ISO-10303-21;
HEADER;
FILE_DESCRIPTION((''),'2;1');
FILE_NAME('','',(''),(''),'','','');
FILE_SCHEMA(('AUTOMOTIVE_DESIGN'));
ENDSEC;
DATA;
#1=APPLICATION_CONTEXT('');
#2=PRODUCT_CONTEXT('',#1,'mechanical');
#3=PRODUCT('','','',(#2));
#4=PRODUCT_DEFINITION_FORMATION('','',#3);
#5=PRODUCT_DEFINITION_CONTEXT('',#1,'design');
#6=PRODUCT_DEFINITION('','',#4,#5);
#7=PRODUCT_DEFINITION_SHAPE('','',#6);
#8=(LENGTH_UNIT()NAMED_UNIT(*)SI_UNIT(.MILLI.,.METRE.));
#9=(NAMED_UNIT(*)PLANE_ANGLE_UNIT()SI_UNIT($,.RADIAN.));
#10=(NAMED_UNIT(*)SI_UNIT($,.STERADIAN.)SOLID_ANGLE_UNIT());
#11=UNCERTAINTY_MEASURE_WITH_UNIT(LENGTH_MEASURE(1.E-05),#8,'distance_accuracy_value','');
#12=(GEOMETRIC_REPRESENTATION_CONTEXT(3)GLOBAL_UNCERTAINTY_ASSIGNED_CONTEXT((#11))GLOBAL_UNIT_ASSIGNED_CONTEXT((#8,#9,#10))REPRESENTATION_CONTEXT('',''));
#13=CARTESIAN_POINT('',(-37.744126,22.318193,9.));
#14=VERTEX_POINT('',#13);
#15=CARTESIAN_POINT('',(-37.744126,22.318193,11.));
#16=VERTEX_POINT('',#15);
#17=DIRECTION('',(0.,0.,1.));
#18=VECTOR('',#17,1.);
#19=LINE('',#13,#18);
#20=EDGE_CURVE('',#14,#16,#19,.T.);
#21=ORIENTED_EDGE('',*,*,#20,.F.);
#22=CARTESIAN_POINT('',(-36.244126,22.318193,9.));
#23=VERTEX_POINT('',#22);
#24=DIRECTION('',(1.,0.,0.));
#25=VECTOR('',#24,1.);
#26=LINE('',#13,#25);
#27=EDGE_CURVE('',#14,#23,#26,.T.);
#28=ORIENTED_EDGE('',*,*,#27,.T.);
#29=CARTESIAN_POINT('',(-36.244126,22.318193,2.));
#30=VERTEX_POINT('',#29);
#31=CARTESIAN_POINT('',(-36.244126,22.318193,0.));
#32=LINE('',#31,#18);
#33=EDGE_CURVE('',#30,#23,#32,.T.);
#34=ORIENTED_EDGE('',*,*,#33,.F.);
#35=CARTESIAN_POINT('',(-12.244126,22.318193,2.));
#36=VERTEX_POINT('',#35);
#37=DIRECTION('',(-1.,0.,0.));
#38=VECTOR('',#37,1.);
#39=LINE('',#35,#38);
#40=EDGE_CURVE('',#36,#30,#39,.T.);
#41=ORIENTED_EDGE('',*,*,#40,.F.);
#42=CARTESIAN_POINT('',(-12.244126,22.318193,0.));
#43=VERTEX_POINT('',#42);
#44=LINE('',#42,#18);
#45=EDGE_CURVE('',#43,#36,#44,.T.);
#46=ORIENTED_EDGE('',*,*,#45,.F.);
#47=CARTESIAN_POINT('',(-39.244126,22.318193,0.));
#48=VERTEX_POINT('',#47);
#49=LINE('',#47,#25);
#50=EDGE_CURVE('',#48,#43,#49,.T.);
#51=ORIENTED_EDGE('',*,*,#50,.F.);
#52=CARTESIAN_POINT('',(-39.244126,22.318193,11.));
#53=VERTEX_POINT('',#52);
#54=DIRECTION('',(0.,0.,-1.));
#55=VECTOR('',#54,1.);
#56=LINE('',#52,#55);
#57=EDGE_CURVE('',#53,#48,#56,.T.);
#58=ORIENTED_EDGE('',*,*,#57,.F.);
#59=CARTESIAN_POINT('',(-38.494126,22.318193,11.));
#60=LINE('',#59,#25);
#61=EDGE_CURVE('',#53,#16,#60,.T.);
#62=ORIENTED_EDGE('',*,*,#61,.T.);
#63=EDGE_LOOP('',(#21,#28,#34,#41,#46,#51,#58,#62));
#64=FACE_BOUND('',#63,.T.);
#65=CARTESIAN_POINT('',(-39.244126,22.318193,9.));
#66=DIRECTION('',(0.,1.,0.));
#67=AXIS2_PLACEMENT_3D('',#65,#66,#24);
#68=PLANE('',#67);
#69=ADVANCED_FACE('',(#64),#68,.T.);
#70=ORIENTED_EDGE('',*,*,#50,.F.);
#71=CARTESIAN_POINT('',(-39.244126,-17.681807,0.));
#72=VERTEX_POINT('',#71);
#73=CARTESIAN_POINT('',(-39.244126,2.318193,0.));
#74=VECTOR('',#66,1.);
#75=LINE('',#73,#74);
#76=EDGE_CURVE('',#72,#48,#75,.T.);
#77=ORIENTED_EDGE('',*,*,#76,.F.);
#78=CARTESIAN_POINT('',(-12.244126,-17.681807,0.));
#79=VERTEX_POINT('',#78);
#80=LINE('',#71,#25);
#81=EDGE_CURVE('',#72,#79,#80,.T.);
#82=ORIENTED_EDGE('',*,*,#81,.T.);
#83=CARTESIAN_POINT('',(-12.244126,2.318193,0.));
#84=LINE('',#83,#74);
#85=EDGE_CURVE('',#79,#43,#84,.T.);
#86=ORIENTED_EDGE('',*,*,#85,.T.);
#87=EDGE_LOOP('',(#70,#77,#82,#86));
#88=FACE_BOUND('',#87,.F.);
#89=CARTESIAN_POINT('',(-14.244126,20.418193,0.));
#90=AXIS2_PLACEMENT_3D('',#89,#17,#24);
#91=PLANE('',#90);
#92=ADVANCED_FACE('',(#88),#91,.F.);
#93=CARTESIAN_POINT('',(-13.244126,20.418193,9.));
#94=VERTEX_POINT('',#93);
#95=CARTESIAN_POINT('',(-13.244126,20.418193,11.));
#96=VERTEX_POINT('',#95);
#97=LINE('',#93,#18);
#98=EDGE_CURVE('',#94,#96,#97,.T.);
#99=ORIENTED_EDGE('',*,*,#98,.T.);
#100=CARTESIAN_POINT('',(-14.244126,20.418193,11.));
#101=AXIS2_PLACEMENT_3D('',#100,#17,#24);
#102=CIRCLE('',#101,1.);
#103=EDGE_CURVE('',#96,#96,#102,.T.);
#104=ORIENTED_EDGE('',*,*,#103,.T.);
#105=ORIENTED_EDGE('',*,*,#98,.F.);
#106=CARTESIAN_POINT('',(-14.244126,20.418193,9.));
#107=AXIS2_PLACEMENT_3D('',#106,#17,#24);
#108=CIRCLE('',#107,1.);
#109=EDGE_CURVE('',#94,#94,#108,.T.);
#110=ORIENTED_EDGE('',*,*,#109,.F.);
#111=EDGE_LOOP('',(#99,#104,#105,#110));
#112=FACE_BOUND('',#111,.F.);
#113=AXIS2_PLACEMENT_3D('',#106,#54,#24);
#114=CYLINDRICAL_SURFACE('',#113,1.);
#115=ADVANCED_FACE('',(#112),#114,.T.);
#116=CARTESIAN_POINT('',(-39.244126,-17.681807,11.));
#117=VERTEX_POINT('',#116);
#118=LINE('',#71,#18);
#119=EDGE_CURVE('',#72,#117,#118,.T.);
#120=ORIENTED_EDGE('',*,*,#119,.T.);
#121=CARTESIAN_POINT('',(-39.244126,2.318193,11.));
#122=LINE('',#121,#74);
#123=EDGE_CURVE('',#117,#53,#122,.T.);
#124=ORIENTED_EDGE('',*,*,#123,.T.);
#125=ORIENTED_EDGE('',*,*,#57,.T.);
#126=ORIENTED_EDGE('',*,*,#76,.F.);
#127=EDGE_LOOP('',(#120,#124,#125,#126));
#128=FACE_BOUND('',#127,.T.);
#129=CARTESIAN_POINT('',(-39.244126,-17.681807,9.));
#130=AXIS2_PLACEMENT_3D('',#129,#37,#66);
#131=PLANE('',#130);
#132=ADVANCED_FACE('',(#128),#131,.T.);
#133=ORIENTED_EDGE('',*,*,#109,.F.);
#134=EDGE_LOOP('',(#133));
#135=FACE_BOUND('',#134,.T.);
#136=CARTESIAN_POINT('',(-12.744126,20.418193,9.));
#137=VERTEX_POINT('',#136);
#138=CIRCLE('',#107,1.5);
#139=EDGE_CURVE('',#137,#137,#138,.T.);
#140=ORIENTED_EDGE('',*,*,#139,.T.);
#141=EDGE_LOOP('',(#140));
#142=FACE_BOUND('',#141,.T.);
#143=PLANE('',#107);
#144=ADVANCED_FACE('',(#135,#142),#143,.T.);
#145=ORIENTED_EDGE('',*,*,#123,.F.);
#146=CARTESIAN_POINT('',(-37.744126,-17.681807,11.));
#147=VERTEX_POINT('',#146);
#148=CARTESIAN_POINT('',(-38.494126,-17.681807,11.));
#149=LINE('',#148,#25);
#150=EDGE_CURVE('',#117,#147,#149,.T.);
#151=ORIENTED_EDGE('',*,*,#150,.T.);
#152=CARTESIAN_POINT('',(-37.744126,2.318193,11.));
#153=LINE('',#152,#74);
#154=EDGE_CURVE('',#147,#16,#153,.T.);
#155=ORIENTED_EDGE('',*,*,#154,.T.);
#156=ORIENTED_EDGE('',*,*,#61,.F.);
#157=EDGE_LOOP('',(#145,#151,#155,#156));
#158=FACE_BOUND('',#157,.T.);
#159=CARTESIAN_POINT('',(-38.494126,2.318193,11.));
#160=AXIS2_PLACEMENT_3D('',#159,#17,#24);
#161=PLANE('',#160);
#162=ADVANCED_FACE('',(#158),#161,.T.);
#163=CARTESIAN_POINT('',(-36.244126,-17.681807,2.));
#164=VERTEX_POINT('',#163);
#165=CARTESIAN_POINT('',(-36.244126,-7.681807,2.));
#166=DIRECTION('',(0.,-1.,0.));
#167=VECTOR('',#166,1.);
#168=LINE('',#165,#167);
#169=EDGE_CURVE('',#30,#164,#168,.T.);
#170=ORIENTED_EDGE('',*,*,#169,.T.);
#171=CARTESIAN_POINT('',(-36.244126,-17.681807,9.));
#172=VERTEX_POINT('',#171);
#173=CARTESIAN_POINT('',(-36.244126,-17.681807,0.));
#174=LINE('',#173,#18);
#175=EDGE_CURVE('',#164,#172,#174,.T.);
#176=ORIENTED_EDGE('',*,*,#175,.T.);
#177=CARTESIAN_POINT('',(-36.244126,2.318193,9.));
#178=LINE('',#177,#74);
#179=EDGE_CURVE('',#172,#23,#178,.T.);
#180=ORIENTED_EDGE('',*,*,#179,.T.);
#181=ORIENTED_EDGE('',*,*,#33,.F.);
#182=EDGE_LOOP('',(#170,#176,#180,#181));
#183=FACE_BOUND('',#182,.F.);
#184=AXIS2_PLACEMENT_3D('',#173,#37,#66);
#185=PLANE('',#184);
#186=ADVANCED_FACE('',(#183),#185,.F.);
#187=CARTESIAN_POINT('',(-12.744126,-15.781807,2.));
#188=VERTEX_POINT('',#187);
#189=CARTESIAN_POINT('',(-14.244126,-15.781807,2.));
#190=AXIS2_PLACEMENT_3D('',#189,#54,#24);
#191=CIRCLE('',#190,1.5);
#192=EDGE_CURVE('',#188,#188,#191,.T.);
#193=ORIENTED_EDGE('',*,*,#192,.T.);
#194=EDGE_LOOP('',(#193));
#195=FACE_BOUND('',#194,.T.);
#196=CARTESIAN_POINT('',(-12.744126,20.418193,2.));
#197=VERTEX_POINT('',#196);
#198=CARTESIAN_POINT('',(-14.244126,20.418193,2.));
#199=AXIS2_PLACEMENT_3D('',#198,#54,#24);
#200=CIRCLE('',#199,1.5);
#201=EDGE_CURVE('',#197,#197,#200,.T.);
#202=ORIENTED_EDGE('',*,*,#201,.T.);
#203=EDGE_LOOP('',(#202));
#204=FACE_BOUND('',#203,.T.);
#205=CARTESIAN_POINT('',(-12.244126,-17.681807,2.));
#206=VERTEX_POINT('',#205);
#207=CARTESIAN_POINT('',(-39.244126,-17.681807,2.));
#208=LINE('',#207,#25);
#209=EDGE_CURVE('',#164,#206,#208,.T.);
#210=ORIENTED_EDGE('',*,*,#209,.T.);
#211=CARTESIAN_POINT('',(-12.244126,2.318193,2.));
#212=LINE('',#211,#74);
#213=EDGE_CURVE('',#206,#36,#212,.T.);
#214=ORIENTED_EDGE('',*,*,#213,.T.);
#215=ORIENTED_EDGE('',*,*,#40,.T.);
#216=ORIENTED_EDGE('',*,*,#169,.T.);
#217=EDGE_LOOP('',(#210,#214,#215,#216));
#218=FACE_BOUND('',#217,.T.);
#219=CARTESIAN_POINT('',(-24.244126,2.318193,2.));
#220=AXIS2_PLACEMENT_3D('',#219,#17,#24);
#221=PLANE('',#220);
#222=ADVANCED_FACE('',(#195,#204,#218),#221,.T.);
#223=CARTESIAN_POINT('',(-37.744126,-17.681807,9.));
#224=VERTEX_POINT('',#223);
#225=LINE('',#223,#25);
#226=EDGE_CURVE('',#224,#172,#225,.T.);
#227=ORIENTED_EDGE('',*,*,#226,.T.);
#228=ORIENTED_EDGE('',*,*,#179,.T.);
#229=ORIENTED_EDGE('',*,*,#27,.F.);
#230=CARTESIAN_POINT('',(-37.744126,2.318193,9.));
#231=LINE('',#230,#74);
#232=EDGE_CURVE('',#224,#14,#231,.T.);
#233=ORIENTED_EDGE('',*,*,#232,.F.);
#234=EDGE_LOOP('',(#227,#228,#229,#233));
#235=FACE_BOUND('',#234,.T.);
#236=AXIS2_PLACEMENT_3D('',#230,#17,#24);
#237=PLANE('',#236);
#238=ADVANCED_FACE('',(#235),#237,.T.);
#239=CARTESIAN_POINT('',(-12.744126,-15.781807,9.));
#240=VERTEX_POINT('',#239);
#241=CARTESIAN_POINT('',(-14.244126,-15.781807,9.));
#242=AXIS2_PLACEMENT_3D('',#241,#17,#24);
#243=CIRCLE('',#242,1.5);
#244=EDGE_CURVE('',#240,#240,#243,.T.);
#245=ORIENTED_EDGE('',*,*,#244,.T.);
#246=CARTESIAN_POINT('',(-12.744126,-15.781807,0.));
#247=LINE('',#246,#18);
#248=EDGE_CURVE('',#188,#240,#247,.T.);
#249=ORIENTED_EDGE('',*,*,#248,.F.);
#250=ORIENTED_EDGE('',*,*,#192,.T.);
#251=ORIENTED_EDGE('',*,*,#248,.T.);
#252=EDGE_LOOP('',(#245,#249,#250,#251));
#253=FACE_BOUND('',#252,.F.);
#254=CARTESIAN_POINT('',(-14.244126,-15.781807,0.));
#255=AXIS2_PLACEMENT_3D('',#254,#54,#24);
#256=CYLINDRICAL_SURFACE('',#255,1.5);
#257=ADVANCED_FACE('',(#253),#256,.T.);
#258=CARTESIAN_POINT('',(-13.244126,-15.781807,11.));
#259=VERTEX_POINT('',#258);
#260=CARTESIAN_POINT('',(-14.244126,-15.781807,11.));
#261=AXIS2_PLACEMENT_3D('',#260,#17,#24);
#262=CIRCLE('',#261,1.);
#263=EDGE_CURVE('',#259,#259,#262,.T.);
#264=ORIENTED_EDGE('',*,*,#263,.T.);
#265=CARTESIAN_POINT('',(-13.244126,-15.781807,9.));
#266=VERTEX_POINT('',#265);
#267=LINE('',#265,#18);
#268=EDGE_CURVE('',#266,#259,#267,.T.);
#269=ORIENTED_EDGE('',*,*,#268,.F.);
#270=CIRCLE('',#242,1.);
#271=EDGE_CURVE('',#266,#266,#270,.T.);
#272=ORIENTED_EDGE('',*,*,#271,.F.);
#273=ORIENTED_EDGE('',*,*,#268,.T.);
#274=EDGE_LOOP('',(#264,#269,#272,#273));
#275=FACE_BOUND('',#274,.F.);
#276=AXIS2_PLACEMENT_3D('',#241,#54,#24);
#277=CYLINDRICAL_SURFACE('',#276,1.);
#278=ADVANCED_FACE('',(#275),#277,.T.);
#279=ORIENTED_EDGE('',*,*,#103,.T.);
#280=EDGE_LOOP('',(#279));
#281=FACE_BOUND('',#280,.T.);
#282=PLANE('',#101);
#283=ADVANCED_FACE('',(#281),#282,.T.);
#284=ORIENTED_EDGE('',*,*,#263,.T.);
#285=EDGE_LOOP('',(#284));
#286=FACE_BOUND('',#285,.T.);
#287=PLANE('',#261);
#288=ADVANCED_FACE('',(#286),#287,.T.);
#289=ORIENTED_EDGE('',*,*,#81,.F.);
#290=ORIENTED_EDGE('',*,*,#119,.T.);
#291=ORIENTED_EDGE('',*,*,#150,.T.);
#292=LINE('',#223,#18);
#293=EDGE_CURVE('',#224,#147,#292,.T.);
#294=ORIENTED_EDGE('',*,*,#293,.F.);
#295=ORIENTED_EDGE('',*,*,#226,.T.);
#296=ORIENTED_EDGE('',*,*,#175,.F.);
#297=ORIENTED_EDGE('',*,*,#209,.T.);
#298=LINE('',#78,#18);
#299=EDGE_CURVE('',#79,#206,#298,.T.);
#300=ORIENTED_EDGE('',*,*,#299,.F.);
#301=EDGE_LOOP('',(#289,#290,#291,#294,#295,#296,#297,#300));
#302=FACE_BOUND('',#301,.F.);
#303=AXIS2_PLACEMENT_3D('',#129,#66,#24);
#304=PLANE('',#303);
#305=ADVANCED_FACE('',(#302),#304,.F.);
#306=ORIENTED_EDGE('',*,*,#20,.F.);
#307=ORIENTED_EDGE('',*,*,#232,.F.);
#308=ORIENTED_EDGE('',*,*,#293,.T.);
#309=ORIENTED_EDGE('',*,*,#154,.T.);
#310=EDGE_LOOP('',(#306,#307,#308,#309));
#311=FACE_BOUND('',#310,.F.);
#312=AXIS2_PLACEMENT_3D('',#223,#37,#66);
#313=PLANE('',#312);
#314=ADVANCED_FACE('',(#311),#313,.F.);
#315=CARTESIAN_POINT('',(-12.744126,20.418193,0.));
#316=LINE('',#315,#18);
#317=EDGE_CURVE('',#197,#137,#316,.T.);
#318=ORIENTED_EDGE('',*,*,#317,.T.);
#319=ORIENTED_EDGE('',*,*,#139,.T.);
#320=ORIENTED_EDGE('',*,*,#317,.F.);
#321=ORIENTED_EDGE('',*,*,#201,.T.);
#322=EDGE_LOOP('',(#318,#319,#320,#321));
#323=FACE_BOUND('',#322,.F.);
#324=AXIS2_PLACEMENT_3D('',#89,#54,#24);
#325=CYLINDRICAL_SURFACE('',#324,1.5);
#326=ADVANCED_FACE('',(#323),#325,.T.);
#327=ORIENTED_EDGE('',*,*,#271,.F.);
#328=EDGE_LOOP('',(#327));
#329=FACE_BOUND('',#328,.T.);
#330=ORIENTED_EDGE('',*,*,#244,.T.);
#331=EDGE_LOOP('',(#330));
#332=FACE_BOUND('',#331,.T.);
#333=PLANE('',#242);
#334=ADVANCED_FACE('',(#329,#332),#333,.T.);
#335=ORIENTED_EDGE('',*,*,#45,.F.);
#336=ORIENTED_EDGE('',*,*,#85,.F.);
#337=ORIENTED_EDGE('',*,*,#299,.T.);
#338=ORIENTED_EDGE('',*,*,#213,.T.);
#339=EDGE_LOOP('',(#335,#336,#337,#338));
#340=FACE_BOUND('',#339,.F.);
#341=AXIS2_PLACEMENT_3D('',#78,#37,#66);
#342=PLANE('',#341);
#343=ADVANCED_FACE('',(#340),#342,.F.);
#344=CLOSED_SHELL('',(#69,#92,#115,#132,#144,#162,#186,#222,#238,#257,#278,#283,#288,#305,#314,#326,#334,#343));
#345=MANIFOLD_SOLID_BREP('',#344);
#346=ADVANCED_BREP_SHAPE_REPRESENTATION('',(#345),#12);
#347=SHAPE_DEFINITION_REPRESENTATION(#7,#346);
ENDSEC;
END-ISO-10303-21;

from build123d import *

# Parameters (mm, degrees)
F0_W     = 24
F0_H     = 40
F0_R     = 1.5
F0_W_2   = 3
F1_DEPTH = 2
F2_DEPTH = 9
F3_DEPTH = 9
F4_W     = 1.5
F4_H     = 40
F4_R     = 1
F5_DEPTH = 2


with BuildPart() as f1:
    # F0 (on Top) → F1 (new body)
    with BuildSketch(Plane.XY):
        with Locations((-24.2441255752, 2.3181930908)):
            Rectangle(F0_W, F0_H)
        with Locations((-14.2441255752, -15.7818069092)):
            Circle(F0_R, mode=Mode.SUBTRACT)
        with Locations((-14.2441255752, 20.4181930908)):
            Circle(F0_R, mode=Mode.SUBTRACT)
        with Locations((-37.7441255752, 2.3181930908)):
            Rectangle(F0_W_2, F0_H)
        with Locations((-14.2441255752, 20.4181930908)):
            Circle(F0_R)
        with Locations((-14.2441255752, -15.7818069092)):
            Circle(F0_R)
    extrude(amount=F1_DEPTH)

    # F0 (on Top) → F2 (join)
    with BuildSketch(Plane.XY):
        with Locations((-37.7441255752, 2.3181930908)):
            Rectangle(F0_W_2, F0_H)
    extrude(amount=F2_DEPTH)

    # F0 (on Top) → F3 (join, through all)
    with BuildSketch(Plane.XY):
        with Locations((-14.2441255752, 20.4181930908)):
            Circle(F0_R)
        with Locations((-14.2441255752, -15.7818069092)):
            Circle(F0_R)
    extrude(amount=F3_DEPTH)

    # F4 (on face) → F5 (join)
    with BuildSketch(Plane.XY.offset(9)):
        with Locations((-38.4941255752, 2.3181930908)):
            Rectangle(F4_W, F4_H)
        with Locations((-14.2441255752, 20.4181930908)):
            Circle(F4_R)
        with Locations((-14.2441255752, -15.7818069092)):
            Circle(F4_R)
    extrude(amount=F5_DEPTH)


solid = f1.part
